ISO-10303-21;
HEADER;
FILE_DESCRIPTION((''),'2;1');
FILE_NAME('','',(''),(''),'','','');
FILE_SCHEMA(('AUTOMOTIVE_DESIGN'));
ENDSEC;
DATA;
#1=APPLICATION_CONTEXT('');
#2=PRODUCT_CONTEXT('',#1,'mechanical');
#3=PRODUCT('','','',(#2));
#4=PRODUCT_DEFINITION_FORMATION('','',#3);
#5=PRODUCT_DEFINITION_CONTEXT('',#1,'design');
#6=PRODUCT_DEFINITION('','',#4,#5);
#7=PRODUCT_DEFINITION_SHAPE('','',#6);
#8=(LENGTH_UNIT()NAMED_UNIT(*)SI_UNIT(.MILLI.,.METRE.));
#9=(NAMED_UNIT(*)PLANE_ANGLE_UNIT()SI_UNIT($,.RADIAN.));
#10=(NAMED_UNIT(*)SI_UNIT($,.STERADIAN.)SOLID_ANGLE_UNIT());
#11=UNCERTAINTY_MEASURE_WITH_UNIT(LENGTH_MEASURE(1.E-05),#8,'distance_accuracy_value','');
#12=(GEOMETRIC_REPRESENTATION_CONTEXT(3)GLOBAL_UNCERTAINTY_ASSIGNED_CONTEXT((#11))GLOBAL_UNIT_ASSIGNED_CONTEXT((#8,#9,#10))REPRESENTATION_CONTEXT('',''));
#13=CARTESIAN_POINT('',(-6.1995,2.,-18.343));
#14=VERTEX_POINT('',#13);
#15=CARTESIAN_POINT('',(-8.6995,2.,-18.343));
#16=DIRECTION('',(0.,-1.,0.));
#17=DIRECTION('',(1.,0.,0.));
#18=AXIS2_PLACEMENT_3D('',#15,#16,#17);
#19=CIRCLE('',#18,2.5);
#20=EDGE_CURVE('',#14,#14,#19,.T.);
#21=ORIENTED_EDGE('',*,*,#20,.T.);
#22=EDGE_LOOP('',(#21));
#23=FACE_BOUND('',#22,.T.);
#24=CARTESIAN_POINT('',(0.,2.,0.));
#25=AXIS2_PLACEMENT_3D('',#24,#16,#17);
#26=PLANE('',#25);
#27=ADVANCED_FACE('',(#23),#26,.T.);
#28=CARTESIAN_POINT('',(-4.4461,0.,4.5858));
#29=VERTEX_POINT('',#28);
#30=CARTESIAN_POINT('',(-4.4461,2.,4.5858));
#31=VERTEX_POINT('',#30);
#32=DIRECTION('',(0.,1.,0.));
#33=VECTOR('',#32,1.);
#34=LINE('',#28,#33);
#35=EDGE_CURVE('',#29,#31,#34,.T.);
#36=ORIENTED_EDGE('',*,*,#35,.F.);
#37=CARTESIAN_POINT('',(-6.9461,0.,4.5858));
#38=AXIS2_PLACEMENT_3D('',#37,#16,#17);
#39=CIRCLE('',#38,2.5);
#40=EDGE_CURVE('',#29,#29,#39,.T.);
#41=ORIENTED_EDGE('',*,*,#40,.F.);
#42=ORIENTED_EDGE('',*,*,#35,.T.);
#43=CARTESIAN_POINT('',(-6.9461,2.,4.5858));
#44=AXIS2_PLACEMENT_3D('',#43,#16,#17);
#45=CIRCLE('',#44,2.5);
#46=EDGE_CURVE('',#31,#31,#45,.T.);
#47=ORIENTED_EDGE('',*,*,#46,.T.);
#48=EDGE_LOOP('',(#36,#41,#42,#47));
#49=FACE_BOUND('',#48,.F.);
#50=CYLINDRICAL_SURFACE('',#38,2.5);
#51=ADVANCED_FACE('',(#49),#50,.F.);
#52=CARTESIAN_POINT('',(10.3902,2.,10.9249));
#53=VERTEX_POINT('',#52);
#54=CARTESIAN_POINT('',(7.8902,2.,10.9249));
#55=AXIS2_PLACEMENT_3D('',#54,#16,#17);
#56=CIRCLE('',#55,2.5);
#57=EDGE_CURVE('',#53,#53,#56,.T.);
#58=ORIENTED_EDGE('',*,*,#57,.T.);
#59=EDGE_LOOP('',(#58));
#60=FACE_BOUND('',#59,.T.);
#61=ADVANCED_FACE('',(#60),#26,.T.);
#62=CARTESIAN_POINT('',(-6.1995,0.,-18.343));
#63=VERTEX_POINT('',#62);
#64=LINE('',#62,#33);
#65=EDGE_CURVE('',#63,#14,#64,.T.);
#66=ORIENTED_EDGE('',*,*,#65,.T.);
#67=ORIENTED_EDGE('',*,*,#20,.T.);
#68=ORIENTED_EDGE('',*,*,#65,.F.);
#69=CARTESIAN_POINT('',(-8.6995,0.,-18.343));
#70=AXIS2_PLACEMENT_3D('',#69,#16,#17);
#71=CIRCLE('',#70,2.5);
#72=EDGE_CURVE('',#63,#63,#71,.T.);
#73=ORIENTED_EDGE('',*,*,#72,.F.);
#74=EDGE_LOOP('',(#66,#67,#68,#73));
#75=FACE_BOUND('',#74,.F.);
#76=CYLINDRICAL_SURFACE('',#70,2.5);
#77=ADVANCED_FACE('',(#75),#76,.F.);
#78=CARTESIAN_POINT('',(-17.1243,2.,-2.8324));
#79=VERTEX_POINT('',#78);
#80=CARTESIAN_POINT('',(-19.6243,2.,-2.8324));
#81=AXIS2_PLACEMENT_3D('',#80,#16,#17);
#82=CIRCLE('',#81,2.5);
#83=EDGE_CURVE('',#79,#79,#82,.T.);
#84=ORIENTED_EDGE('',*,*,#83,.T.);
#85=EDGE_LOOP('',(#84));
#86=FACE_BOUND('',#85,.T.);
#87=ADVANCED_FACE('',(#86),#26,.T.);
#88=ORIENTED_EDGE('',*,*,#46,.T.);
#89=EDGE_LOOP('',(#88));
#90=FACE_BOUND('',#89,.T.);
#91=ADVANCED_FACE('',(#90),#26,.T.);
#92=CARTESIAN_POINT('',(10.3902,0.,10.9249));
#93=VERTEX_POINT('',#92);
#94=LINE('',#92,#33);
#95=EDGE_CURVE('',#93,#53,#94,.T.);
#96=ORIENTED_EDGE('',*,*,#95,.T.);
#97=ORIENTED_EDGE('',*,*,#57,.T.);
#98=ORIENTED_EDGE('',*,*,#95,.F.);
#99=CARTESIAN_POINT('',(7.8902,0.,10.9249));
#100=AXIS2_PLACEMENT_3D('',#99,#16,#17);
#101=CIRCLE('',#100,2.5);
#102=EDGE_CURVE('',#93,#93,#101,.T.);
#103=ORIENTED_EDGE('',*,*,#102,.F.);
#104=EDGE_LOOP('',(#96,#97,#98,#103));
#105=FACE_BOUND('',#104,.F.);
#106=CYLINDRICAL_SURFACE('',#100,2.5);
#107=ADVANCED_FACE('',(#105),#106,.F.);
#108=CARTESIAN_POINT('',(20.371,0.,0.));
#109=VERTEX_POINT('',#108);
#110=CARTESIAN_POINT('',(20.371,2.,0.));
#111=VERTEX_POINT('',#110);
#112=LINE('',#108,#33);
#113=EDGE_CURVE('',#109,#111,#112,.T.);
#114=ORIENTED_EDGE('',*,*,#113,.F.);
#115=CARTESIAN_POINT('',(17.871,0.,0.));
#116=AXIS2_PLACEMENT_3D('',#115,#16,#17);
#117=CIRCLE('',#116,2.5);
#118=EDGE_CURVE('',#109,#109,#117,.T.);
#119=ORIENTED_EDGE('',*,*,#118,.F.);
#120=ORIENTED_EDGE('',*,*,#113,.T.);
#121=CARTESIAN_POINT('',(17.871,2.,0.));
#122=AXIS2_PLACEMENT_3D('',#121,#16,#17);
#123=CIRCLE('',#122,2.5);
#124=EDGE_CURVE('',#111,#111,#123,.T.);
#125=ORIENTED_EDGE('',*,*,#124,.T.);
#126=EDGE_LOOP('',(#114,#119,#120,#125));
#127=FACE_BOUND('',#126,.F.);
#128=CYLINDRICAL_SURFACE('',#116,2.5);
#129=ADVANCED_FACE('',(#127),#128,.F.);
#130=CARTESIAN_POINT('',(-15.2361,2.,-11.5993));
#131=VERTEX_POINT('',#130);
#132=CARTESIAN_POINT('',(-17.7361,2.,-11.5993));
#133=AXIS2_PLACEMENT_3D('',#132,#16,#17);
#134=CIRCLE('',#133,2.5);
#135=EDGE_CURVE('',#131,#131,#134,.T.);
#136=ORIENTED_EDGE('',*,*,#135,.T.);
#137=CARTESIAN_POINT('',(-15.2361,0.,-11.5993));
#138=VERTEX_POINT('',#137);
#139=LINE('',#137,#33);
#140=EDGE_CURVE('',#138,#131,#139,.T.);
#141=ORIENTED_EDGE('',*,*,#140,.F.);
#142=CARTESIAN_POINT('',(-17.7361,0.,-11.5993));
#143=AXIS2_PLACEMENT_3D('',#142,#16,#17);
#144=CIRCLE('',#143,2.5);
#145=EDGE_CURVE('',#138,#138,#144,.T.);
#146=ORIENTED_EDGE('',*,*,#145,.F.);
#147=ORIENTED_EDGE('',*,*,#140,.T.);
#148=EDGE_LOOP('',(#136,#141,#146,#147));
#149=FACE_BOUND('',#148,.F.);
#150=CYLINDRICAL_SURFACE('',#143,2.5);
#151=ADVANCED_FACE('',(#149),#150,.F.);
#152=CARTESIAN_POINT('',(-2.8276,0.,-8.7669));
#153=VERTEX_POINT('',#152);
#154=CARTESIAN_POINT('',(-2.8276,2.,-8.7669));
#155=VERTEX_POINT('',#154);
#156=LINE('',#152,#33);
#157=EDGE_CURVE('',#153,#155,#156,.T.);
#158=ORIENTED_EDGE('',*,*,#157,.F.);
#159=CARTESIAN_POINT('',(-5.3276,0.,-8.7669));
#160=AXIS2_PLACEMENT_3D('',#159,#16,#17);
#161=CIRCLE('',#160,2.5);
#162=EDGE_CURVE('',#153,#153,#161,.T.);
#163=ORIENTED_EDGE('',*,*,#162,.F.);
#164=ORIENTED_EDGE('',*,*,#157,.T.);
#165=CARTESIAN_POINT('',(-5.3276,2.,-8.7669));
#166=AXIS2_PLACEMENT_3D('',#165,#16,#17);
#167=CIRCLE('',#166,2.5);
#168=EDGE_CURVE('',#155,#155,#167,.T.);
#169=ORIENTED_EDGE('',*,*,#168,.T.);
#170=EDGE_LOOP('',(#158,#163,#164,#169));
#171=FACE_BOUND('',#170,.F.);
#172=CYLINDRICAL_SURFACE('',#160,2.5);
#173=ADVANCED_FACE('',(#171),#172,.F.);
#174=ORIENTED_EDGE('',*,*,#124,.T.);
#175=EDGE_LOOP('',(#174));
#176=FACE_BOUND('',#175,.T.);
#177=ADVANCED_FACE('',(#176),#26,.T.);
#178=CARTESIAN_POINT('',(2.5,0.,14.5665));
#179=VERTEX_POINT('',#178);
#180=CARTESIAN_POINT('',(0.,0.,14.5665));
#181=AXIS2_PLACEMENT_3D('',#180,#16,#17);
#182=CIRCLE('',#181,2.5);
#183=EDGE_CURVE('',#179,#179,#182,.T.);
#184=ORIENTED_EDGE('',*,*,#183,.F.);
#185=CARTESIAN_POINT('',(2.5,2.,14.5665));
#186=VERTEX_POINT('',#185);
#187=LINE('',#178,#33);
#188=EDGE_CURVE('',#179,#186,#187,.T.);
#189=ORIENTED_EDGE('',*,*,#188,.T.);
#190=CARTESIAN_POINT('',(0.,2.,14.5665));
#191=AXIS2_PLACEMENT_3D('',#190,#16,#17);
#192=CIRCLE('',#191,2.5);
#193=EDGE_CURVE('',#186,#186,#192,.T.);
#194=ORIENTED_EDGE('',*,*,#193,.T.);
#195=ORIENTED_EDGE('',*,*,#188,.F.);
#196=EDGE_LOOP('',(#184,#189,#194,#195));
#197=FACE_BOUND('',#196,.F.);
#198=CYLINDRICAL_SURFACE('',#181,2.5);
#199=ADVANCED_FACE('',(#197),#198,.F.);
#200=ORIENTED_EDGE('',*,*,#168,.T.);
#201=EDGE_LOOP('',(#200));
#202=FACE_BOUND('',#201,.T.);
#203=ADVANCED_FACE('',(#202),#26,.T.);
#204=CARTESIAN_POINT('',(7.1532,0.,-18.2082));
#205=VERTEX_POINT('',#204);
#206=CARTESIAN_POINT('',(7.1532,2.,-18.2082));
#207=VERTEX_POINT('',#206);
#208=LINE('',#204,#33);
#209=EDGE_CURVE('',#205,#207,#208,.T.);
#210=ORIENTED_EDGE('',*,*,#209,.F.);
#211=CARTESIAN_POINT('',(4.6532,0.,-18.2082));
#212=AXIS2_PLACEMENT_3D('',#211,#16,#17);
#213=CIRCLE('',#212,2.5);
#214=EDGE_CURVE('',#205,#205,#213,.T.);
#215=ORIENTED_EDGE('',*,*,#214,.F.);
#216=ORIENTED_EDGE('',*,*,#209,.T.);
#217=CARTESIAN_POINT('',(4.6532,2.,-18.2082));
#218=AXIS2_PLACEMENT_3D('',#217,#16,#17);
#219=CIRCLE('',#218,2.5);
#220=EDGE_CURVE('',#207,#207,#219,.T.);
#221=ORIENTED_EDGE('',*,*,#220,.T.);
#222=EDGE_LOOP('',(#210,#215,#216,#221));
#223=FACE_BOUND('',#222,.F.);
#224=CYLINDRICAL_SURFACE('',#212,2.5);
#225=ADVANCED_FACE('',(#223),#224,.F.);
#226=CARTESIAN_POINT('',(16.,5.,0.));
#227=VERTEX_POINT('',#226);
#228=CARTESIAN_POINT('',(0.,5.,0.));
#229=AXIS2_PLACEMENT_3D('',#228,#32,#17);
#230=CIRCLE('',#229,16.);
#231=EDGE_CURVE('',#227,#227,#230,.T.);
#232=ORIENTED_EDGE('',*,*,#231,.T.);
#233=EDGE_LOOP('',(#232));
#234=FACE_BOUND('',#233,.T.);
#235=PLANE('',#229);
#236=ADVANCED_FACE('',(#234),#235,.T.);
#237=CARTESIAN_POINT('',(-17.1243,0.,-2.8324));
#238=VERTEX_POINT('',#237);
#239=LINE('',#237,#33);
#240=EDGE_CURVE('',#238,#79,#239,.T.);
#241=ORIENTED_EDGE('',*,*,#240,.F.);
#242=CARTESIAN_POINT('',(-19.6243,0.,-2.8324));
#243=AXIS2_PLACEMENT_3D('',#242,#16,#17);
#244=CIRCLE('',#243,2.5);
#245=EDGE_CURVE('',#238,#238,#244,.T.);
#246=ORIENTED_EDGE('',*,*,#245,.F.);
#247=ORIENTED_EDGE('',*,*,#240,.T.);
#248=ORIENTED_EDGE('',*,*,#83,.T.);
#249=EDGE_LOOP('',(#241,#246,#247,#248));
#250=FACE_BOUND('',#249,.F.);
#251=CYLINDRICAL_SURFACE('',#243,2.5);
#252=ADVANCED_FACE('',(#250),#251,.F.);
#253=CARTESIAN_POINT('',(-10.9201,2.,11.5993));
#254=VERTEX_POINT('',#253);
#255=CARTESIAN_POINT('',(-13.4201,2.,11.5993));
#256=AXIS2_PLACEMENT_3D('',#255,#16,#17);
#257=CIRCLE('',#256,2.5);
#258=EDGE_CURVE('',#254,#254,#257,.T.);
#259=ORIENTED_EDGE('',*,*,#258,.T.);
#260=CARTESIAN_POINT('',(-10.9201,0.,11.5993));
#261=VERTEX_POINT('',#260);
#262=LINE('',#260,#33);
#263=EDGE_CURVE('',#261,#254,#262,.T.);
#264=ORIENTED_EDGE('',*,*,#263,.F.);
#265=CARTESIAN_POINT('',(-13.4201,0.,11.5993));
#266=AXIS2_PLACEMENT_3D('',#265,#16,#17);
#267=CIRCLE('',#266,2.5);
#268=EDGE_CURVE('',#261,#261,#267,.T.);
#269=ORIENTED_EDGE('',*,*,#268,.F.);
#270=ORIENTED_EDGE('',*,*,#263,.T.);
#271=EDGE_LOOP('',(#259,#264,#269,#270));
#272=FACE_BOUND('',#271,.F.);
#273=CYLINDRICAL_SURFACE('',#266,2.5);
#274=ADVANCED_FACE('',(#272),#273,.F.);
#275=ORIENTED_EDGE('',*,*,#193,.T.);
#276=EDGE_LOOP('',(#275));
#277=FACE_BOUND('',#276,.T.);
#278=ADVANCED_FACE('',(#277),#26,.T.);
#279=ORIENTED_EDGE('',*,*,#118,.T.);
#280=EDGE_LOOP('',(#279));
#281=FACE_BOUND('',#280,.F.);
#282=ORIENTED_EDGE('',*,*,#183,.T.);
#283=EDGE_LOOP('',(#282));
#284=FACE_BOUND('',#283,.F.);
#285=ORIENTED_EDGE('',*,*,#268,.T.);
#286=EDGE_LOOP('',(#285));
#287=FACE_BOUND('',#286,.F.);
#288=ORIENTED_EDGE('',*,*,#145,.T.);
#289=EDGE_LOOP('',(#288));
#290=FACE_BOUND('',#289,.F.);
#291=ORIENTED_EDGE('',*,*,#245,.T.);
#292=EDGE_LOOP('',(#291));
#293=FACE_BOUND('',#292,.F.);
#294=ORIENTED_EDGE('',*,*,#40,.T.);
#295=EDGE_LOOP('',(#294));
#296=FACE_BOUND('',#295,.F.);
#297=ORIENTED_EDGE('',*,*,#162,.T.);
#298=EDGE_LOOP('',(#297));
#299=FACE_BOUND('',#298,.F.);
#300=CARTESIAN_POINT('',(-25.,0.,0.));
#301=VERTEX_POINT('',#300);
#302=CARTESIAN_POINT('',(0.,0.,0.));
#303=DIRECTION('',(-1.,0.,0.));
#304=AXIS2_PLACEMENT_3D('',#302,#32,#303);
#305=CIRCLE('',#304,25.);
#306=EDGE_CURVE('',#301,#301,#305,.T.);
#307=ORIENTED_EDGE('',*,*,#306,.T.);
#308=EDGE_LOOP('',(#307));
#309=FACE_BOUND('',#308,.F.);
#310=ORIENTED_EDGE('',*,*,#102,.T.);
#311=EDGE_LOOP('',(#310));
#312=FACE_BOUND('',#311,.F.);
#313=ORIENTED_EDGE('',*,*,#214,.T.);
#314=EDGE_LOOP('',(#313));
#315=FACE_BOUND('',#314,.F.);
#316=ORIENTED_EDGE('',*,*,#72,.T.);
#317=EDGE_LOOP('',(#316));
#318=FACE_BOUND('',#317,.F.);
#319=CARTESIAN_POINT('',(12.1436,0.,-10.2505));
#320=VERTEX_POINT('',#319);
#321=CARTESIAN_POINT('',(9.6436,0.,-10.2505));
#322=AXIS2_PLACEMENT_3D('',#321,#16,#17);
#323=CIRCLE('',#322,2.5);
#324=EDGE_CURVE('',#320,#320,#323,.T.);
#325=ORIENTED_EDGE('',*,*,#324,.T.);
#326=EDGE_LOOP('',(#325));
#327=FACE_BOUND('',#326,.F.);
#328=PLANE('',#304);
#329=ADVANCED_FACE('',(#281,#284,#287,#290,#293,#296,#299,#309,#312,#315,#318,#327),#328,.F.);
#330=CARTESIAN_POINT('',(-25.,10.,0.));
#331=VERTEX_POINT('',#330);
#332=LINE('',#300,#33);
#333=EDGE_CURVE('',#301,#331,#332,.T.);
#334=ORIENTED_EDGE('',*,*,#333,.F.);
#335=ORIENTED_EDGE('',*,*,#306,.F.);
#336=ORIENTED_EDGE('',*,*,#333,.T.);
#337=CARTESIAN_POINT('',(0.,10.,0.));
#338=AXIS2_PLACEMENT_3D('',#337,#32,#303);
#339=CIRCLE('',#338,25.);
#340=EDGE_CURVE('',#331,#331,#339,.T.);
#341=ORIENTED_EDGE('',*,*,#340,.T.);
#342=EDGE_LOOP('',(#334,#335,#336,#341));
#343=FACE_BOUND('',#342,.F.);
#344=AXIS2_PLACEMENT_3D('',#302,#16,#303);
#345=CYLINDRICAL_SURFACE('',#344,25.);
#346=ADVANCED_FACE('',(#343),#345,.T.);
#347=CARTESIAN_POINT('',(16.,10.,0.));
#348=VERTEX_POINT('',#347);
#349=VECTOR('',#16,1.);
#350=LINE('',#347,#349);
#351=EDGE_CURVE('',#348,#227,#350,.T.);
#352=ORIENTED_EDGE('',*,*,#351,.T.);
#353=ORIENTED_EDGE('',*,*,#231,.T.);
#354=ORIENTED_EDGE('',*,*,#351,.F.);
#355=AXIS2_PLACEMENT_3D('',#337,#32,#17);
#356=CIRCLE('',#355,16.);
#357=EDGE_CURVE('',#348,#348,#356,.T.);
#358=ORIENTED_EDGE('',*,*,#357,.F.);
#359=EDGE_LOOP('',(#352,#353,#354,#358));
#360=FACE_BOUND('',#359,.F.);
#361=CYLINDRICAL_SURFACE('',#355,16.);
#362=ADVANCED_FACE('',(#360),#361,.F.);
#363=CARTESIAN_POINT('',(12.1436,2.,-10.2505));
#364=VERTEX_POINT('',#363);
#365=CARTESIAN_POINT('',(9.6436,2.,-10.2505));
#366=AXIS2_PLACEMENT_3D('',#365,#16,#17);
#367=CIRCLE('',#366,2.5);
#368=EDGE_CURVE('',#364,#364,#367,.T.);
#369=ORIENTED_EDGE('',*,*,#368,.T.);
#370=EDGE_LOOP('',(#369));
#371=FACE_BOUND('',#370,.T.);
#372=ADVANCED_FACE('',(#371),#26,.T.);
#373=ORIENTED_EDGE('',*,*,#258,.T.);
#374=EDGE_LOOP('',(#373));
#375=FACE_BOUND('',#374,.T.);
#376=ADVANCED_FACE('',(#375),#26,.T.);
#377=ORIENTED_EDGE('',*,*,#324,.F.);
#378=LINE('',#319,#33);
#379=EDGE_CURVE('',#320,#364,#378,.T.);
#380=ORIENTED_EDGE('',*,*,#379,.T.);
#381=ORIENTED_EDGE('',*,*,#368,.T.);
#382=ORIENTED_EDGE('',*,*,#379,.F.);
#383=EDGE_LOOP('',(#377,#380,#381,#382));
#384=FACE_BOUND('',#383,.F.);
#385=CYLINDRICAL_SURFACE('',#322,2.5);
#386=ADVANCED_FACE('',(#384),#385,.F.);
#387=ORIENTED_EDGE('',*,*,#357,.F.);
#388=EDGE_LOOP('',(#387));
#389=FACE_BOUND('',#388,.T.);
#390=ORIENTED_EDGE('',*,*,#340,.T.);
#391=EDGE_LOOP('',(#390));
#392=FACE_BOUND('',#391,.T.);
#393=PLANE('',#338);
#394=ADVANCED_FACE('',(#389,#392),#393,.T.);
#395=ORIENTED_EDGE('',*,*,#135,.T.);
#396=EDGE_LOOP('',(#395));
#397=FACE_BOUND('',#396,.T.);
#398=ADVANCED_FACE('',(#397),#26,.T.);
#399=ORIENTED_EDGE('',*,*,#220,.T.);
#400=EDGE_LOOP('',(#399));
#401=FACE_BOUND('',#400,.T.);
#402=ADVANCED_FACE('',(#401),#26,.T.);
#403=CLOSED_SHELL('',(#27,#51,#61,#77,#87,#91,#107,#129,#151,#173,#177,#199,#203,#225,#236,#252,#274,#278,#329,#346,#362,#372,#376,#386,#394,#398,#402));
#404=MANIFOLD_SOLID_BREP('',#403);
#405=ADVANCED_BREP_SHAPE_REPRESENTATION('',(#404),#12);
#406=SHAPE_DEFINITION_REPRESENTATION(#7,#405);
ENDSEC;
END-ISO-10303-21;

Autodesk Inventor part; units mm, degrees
ref_plane "YZ Plane" through (0, 0, 0) normal (1, 0, 0) x (0, 1, 0)
ref_plane "XZ Plane" through (0, 0, 0) normal (0, 1, 0) x (-1, 0, 0)
ref_plane "XY Plane" through (0, 0, 0) normal (0, 0, 1) x (1, 0, 0)
sketch "Sketch1" plane through (0, 0, 0) normal (0, 1, 0) x (-1, 0, 0)
  circle A0 centre (0, 0) radius 25
  dimension "d0" = 50
sketch "Sketch2" plane through (0, 0, 0) normal (0, 1, 0) x (-1, 0, 0)
  point P0 (0, 0)
extrude "Extrusion1" add sketch "Sketch1" along normal blind 10
sketch "Sketch3" plane through (0, 10, 0) normal (0, 1, 0) x (1, 0, 0)
  circle A0 centre (0, 0) radius 16
  dimension "d3" = 32
extrude "Extrusion2" cut sketch "Sketch3" against normal blind 5
sketch "Sketch4" plane through (0, 0, 0) normal (0, -1, 0) x (1, 0, 0)
  point P0 (0, 0)
sketch "Sketch5" plane through (0, 0, 0) normal (0, -1, 0) x (1, 0, 0)
  circle A0 centre (-17.7361, -11.5993) radius 2.5
  point P0 (0, 0)
  dimension "d6" = 5
extrude "Extrusion3" cut sketch "Sketch5" against normal blind 2
sketch "Sketch6" plane through (0, 0, 0) normal (0, -1, 0) x (1, 0, 0)
  circle A0 centre (-19.6243, -2.8324) radius 2.5
  point P0 (0, 0)
  dimension "d9" = 5
extrude "Extrusion4" cut sketch "Sketch6" against normal blind 2
sketch "Sketch7" plane through (0, 0, 0) normal (0, -1, 0) x (1, 0, 0)
  circle A0 centre (-8.6995, -18.343) radius 2.5
  point P0 (0, 0)
  dimension "d12" = 5
extrude "Extrusion5" cut sketch "Sketch7" against normal blind 2
sketch "Sketch8" plane through (0, 0, 0) normal (0, -1, 0) x (1, 0, 0)
  circle A0 centre (4.6532, -18.2082) radius 2.5
  point P0 (0, 0)
  dimension "d15" = 5
extrude "Extrusion6" cut sketch "Sketch8" against normal blind 2
sketch "Sketch9" plane through (0, 0, 0) normal (0, -1, 0) x (1, 0, 0)
  circle A0 centre (-5.3276, -8.7669) radius 2.5
  point P0 (0, 0)
  dimension "d18" = 5
extrude "Extrusion7" cut sketch "Sketch9" against normal blind 2
sketch "Sketch10" plane through (0, 0, 0) normal (0, -1, 0) x (1, 0, 0)
  circle A0 centre (9.6436, -10.2505) radius 2.5
  point P0 (0, 0)
  dimension "d21" = 5
extrude "Extrusion8" cut sketch "Sketch10" against normal blind 2
sketch "Sketch11" plane through (0, 0, 0) normal (0, -1, 0) x (1, 0, 0)
  circle A0 centre (-6.9461, 4.5858) radius 2.5
  point P0 (0, 0)
  dimension "d24" = 5
extrude "Extrusion9" cut sketch "Sketch11" against normal blind 2
sketch "Sketch12" plane through (0, 0, 0) normal (0, -1, 0) x (1, 0, 0)
  circle A0 centre (7.8902, 10.9249) radius 2.5
  point P0 (0, 0)
  dimension "d27" = 5
extrude "Extrusion10" cut sketch "Sketch12" against normal blind 2
sketch "Sketch13" plane through (0, 0, 0) normal (0, -1, 0) x (1, 0, 0)
  circle A0 centre (-13.4201, 11.5993) radius 2.5
  point P0 (0, 0)
  dimension "d30" = 5
extrude "Extrusion11" cut sketch "Sketch13" against normal blind 2
sketch "Sketch14" plane through (0, 0, 0) normal (0, -1, 0) x (1, 0, 0)
  circle A0 centre (17.871, 0) radius 2.5
  point P0 (0, 0)
  dimension "d33" = 5
extrude "Extrusion12" cut sketch "Sketch14" against normal blind 2
sketch "Sketch15" plane through (0, 0, 0) normal (0, -1, 0) x (1, 0, 0)
  circle A0 centre (0, 14.5665) radius 2.5
  point P0 (0, 0)
  dimension "d36" = 5
extrude "Extrusion13" cut sketch "Sketch15" against normal blind 2
properties part number "sprayer" material "PVC, Unplasticized"
